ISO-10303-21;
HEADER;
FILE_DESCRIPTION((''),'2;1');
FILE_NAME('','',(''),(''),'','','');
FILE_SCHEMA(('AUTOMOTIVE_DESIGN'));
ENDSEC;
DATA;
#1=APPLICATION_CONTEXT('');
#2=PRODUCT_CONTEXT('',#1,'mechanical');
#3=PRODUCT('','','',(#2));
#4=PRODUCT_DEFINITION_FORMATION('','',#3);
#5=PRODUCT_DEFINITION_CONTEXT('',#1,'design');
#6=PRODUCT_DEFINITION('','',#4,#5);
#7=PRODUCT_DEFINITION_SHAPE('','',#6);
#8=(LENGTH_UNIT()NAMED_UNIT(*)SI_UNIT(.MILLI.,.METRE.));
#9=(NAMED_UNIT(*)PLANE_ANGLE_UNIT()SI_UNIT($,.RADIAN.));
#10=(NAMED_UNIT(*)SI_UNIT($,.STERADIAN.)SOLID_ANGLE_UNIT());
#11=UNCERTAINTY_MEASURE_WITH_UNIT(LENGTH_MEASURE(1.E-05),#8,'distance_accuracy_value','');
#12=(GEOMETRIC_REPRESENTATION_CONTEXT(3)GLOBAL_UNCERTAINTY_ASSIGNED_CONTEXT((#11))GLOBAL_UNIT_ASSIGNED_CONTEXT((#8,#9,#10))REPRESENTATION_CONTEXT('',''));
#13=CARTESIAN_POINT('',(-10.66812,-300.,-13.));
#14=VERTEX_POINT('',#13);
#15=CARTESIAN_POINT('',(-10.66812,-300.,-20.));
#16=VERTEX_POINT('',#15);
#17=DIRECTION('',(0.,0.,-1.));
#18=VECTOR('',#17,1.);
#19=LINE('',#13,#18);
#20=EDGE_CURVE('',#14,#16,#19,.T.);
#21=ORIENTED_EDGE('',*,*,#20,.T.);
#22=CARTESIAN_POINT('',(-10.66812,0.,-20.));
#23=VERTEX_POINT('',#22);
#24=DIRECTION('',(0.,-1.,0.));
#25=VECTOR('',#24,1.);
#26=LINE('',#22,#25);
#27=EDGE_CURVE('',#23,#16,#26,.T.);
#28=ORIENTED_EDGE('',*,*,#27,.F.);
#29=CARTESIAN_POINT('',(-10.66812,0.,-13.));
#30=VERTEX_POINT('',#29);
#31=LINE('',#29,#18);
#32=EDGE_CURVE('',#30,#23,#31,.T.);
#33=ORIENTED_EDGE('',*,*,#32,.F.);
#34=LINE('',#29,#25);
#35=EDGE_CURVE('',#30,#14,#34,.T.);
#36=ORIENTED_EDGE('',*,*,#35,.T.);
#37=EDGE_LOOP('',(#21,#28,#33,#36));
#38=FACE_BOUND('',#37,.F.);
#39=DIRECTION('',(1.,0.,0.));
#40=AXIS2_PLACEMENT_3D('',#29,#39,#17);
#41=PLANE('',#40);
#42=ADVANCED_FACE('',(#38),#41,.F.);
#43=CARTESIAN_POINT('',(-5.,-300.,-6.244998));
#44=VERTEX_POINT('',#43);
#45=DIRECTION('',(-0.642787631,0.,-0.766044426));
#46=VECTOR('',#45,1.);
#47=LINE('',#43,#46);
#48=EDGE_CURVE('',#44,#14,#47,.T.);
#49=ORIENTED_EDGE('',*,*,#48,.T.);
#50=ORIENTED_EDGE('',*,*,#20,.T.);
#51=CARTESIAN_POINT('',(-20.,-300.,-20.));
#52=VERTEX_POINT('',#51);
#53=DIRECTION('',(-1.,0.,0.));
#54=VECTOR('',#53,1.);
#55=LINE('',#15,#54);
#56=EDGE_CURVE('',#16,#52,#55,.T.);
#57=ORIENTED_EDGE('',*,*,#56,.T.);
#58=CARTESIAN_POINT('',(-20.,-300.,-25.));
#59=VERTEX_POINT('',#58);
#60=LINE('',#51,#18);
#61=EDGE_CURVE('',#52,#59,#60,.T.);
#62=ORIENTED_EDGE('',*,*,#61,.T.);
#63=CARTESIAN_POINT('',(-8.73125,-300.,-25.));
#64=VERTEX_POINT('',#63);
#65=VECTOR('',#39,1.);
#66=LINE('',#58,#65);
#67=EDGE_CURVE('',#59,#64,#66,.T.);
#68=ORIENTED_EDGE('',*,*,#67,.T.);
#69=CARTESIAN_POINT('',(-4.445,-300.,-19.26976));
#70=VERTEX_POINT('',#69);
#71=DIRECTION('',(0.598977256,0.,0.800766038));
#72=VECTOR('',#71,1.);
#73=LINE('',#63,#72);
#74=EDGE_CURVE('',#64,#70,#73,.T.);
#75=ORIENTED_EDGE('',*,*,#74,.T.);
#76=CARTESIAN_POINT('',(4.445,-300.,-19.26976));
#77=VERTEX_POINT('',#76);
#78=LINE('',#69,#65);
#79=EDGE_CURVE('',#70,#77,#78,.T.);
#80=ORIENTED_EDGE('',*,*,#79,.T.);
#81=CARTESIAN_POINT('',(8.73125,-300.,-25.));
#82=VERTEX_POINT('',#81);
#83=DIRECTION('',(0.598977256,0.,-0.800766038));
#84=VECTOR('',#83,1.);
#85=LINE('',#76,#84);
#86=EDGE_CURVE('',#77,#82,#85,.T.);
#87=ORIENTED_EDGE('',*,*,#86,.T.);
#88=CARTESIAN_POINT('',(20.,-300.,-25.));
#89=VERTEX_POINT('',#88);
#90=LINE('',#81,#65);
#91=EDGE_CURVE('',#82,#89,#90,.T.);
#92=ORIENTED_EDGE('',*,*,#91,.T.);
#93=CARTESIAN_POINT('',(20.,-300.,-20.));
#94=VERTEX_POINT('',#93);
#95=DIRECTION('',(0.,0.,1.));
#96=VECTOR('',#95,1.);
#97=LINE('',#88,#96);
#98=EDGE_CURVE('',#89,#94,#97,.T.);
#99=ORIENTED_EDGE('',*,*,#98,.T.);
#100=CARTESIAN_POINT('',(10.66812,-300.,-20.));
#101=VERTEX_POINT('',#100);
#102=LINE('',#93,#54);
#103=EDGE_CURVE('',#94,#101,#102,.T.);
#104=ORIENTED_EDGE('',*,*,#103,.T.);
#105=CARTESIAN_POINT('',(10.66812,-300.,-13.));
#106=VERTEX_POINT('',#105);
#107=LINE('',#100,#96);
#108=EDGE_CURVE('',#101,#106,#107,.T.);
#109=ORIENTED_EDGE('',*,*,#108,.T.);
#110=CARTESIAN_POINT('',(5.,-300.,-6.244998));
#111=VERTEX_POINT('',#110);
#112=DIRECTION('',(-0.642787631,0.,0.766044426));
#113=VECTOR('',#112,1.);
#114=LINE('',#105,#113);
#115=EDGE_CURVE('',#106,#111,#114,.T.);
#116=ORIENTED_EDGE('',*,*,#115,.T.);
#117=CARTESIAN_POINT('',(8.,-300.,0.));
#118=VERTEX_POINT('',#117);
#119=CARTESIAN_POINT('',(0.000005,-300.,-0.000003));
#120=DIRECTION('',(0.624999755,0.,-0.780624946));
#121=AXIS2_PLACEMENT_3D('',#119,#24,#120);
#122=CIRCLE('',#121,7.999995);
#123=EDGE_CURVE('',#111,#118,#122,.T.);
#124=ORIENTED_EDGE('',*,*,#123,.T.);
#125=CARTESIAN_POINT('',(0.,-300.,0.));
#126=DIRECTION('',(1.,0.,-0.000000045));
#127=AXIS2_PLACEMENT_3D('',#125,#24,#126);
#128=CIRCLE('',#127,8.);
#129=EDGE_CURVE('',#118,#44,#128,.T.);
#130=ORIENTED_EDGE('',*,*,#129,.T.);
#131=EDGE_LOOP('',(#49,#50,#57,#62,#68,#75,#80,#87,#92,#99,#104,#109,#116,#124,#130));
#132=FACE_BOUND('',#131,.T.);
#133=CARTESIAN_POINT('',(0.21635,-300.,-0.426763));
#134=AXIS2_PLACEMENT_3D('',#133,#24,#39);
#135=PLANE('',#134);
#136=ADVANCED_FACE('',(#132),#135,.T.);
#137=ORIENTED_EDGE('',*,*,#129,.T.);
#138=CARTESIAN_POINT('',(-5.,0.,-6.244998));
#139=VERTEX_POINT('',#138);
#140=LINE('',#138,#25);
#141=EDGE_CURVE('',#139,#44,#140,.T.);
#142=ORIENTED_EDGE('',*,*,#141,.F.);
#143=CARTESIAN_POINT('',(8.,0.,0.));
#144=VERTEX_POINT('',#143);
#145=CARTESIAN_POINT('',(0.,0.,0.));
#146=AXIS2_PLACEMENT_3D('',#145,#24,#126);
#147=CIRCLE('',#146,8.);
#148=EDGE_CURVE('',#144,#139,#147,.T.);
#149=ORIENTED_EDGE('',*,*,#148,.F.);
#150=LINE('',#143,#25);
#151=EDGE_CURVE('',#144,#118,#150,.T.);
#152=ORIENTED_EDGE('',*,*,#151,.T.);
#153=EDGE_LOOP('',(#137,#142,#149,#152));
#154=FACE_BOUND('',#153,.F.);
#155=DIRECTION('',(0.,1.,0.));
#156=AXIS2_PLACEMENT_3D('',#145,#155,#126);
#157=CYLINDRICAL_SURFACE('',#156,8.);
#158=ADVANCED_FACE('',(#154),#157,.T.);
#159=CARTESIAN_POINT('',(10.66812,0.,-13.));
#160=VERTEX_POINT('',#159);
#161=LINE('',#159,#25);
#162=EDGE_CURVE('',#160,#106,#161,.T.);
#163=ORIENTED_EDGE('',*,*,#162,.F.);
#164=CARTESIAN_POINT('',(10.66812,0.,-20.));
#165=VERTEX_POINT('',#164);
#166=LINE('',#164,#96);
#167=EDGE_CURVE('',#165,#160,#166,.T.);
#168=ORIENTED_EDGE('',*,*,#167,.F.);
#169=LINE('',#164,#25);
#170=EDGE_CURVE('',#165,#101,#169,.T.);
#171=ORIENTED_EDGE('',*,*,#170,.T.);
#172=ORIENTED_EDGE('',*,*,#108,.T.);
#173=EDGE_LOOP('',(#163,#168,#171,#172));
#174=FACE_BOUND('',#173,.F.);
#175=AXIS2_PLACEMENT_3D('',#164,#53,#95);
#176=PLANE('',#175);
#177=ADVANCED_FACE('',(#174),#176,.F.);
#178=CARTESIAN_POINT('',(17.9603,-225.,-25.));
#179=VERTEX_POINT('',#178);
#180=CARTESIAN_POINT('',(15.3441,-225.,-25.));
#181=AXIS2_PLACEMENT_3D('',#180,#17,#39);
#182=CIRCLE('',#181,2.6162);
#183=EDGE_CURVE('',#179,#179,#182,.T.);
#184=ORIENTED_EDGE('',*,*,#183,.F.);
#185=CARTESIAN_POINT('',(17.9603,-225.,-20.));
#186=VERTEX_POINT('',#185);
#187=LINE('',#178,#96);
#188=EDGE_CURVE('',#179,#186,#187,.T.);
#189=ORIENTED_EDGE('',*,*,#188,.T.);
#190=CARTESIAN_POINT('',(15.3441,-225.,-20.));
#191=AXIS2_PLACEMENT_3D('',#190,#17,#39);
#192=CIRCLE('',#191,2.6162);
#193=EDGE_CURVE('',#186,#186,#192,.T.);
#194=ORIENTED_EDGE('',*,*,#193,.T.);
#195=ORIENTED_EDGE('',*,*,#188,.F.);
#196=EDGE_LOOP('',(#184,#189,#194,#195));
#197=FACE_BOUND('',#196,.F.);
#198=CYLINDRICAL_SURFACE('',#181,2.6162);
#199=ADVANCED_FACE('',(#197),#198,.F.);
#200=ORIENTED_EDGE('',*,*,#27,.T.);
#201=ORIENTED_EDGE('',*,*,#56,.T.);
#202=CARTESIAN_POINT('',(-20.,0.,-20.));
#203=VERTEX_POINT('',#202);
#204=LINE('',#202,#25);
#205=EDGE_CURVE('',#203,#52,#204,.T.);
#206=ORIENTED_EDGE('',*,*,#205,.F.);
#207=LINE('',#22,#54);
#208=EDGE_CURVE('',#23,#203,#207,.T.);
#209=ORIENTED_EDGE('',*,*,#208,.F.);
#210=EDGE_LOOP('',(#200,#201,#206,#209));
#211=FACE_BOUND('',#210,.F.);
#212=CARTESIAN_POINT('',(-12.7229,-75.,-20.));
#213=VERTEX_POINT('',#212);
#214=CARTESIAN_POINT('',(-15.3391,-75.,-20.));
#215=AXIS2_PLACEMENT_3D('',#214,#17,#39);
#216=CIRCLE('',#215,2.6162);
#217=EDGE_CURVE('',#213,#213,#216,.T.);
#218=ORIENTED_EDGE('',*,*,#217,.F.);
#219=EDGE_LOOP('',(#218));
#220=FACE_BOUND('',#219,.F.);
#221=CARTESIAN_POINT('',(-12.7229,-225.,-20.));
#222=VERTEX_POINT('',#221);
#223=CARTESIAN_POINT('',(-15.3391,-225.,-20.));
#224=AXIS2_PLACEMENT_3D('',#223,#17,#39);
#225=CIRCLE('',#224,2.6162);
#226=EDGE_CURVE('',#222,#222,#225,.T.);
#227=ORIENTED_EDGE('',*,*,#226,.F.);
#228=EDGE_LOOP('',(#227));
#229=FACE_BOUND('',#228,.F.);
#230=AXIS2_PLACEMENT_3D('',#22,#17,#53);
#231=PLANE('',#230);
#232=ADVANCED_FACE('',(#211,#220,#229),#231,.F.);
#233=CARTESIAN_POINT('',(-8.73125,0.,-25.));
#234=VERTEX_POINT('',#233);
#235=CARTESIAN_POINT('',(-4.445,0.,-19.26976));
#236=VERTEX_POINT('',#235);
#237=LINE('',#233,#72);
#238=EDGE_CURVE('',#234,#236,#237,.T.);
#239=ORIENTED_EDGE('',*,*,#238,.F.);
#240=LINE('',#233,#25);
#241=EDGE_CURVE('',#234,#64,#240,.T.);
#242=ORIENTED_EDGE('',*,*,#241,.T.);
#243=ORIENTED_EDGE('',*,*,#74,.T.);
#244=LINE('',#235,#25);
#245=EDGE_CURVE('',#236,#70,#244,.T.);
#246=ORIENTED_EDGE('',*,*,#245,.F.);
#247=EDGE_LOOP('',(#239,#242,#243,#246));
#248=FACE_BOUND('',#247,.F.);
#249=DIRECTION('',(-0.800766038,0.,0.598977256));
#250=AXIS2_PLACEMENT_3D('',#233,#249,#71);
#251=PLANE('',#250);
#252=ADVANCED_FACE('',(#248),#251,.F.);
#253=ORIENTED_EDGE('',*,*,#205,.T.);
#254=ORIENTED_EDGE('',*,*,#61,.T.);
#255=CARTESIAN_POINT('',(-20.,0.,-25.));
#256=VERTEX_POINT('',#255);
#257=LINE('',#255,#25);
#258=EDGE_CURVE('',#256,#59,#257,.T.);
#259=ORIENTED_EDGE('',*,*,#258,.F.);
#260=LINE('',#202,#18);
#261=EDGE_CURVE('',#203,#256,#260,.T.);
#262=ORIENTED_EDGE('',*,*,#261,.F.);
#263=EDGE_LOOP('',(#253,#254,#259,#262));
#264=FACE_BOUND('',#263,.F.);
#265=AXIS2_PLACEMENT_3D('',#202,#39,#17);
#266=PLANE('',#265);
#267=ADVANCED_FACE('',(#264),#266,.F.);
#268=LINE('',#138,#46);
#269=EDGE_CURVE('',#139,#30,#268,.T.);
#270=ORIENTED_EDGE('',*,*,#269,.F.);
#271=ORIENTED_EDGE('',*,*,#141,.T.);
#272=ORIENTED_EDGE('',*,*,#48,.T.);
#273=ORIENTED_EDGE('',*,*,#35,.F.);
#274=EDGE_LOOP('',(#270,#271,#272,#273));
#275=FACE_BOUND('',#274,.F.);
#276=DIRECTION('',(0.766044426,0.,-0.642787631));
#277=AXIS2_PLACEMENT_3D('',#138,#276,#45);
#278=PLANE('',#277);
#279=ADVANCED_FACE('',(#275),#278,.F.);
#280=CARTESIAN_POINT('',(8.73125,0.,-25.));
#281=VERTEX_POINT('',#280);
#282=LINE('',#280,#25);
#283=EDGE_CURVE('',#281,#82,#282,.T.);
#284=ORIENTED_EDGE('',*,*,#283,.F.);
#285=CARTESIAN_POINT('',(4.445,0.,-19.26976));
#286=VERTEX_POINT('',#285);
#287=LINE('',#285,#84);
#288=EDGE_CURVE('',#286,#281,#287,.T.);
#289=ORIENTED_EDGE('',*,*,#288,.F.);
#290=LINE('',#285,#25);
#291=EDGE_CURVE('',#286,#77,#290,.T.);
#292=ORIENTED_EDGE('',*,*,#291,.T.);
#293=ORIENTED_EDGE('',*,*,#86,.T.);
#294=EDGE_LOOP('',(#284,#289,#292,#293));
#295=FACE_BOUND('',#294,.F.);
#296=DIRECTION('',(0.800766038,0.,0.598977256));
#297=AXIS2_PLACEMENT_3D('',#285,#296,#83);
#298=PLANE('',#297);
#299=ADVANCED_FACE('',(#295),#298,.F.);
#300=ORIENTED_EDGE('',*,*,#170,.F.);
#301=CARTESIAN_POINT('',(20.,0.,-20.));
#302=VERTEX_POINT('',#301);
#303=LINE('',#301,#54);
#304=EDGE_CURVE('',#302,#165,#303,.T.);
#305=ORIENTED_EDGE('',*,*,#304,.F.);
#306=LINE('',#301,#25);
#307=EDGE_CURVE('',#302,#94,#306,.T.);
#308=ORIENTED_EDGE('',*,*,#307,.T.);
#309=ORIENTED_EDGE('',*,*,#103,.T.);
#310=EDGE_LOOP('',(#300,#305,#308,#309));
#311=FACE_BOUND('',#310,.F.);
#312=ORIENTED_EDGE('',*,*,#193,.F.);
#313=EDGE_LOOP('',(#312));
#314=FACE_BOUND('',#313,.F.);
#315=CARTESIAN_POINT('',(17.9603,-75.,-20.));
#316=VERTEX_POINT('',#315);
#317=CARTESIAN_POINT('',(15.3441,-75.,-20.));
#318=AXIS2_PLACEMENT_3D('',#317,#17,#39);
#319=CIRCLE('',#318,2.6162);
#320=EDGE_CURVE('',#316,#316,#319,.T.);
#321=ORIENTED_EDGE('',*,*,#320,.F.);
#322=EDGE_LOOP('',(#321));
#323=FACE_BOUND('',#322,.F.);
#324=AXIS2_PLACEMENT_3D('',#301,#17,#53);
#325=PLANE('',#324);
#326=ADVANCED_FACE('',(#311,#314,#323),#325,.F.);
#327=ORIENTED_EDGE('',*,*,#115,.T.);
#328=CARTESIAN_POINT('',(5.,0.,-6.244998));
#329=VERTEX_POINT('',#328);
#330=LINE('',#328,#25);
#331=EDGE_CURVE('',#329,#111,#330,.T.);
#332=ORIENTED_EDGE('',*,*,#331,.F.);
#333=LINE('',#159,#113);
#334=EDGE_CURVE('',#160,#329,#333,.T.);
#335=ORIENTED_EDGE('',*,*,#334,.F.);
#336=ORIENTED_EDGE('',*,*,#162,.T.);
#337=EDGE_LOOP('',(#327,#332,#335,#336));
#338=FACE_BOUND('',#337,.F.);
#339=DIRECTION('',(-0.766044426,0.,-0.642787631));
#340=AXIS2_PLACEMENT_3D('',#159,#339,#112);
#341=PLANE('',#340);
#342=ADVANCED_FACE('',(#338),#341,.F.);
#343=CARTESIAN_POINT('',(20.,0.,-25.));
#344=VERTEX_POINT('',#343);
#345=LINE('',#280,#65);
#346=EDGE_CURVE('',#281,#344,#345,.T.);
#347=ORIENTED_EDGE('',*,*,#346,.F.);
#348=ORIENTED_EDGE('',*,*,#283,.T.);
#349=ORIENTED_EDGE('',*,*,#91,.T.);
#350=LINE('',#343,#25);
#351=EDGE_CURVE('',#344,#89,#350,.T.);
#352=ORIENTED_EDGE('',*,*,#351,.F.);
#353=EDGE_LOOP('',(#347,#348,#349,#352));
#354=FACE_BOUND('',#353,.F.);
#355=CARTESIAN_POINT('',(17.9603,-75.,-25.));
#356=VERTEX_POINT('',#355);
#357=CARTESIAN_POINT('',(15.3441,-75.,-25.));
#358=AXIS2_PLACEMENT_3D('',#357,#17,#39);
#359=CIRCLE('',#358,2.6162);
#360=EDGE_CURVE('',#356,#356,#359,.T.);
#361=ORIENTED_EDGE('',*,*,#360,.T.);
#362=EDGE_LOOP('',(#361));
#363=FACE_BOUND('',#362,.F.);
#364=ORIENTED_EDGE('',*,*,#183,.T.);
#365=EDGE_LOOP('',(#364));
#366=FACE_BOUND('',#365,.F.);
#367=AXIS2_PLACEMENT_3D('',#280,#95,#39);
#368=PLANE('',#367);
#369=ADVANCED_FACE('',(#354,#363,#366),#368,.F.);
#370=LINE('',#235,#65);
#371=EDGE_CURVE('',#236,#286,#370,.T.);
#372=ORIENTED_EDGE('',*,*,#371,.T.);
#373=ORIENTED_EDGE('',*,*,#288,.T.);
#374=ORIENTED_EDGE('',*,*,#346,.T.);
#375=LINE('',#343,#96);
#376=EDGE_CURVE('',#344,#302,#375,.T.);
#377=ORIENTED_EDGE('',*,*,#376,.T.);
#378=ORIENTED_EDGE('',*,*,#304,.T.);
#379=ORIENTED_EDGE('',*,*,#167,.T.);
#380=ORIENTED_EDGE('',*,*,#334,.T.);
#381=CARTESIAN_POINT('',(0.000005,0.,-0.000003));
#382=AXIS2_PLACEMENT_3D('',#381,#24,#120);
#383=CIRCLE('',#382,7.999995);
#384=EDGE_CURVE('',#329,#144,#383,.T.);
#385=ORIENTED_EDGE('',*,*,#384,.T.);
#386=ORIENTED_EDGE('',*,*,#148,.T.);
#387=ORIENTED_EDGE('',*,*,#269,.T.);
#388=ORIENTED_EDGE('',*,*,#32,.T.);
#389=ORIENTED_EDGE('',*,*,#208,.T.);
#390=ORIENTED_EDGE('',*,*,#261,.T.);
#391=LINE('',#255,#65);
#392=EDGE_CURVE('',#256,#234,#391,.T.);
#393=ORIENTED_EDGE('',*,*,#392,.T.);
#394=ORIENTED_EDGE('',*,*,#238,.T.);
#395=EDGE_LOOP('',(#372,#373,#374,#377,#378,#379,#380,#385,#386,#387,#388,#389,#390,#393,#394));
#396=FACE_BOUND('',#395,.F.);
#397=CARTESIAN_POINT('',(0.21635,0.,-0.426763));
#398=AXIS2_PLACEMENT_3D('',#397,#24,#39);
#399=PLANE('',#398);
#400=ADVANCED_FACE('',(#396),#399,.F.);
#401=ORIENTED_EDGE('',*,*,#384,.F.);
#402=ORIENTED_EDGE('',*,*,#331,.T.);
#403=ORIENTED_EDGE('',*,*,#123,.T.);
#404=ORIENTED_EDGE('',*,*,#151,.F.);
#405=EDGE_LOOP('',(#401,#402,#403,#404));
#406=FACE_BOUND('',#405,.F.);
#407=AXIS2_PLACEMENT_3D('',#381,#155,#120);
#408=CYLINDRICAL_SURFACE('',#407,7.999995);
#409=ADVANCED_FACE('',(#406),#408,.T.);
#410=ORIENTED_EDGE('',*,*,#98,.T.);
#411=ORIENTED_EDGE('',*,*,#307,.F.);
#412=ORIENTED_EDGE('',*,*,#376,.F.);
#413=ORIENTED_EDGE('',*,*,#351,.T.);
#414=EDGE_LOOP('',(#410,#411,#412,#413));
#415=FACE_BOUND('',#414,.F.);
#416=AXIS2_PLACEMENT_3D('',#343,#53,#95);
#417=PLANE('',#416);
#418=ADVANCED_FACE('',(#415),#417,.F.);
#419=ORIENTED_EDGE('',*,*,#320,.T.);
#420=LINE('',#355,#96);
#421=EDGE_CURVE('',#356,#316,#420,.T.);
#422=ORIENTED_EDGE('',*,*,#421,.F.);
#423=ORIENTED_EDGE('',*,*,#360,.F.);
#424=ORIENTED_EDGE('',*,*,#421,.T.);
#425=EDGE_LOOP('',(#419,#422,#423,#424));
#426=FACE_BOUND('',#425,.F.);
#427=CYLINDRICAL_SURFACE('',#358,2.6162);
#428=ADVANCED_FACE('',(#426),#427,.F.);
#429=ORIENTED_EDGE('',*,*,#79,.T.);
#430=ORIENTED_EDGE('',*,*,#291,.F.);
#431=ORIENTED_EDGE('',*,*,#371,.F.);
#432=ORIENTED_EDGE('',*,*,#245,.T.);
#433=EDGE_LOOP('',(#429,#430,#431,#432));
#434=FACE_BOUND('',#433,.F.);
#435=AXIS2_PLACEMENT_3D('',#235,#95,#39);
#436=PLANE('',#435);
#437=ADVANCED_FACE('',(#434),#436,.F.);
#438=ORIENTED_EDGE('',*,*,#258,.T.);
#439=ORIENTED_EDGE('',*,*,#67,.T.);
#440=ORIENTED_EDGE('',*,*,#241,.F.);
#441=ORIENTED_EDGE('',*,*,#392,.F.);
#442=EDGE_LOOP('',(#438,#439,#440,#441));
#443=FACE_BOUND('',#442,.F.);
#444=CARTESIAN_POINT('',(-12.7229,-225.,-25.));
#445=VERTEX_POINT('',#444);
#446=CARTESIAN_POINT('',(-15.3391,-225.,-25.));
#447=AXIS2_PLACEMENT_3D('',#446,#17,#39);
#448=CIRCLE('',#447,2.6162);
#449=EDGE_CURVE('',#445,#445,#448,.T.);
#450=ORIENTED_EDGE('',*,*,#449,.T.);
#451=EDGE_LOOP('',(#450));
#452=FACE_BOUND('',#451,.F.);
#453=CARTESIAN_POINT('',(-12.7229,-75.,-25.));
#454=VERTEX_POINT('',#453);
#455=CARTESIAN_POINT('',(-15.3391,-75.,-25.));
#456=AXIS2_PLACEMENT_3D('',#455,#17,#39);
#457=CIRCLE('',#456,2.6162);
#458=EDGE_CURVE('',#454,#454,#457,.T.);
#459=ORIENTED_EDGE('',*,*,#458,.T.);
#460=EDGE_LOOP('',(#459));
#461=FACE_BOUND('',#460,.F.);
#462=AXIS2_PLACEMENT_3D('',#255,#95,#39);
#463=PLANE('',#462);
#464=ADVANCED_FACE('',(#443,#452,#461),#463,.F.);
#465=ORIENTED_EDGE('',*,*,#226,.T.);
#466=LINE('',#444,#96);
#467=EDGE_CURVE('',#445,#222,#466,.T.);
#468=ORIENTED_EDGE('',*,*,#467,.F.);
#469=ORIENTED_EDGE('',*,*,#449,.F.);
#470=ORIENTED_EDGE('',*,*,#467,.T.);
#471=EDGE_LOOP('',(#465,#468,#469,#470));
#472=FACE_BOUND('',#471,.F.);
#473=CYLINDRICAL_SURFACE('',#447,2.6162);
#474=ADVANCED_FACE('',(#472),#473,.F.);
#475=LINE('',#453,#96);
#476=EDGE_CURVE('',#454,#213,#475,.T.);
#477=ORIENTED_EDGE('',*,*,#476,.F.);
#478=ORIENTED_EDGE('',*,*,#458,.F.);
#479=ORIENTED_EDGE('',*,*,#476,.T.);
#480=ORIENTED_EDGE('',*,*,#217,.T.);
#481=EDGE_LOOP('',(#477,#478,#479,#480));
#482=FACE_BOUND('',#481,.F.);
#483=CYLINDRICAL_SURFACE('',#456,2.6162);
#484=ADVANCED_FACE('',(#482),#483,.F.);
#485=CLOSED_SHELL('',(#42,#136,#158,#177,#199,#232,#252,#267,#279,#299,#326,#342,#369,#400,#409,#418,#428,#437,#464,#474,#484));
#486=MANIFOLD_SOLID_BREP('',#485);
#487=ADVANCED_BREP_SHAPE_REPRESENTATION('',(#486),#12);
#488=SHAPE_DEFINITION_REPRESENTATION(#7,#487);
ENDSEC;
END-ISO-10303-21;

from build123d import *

# Parameters (mm, degrees)
F1_DEPTH = 300
F2_R     = 2.6162
F3_DEPTH = 33.001


with BuildPart() as f1:
    # F0 (on Front) → F1 (new body)
    with BuildSketch(Plane.XZ):
        with BuildLine():
            ThreePointArc((5, -6.244998), (7.211103, -3.464102), (8, 0))
            ThreePointArc((8, 0), (-3.464102, 7.211103), (-5, -6.244998))
            ThreePointArc((-5, -6.244998), (0, -8), (5, -6.244998))
        make_face()
        with BuildLine():
            ThreePointArc((5, -6.244998), (0, -8), (-5, -6.244998))
            Line((-5, -6.244998), (-10.66812, -13))
            Line((-10.66812, -13), (-10.66812, -20))
            Line((-10.66812, -20), (-20, -20))
            Line((-20, -20), (-20, -25))
            Line((-20, -25), (-8.73125, -25))
            Line((-8.73125, -25), (-4.445, -19.26976))
            Line((-4.445, -19.26976), (4.445, -19.26976))
            Line((4.445, -19.26976), (8.73125, -25))
            Line((8.73125, -25), (20, -25))
            Line((20, -25), (20, -20))
            Line((20, -20), (16.541817, -20))
            Line((16.541817, -20), (10.66812, -20))
            Line((10.66812, -20), (10.66812, -13))
            Line((10.66812, -13), (5, -6.244998))
        make_face()
    extrude(amount=F1_DEPTH)

    # F2 (on face) → F3 (cut, through all)
    with BuildSketch(Plane(origin=(0, 0, -25), x_dir=(1, 0, 0), z_dir=(0, 0, -1))):
        with Locations((15.3441, 225)):
            Circle(F2_R)
        with Locations((-15.3391, 225)):
            Circle(F2_R)
        with Locations((15.3441, 75)):
            Circle(F2_R)
        with Locations((-15.3391, 75)):
            Circle(F2_R)
    extrude(amount=-F3_DEPTH, mode=Mode.SUBTRACT)


solid = f1.part
